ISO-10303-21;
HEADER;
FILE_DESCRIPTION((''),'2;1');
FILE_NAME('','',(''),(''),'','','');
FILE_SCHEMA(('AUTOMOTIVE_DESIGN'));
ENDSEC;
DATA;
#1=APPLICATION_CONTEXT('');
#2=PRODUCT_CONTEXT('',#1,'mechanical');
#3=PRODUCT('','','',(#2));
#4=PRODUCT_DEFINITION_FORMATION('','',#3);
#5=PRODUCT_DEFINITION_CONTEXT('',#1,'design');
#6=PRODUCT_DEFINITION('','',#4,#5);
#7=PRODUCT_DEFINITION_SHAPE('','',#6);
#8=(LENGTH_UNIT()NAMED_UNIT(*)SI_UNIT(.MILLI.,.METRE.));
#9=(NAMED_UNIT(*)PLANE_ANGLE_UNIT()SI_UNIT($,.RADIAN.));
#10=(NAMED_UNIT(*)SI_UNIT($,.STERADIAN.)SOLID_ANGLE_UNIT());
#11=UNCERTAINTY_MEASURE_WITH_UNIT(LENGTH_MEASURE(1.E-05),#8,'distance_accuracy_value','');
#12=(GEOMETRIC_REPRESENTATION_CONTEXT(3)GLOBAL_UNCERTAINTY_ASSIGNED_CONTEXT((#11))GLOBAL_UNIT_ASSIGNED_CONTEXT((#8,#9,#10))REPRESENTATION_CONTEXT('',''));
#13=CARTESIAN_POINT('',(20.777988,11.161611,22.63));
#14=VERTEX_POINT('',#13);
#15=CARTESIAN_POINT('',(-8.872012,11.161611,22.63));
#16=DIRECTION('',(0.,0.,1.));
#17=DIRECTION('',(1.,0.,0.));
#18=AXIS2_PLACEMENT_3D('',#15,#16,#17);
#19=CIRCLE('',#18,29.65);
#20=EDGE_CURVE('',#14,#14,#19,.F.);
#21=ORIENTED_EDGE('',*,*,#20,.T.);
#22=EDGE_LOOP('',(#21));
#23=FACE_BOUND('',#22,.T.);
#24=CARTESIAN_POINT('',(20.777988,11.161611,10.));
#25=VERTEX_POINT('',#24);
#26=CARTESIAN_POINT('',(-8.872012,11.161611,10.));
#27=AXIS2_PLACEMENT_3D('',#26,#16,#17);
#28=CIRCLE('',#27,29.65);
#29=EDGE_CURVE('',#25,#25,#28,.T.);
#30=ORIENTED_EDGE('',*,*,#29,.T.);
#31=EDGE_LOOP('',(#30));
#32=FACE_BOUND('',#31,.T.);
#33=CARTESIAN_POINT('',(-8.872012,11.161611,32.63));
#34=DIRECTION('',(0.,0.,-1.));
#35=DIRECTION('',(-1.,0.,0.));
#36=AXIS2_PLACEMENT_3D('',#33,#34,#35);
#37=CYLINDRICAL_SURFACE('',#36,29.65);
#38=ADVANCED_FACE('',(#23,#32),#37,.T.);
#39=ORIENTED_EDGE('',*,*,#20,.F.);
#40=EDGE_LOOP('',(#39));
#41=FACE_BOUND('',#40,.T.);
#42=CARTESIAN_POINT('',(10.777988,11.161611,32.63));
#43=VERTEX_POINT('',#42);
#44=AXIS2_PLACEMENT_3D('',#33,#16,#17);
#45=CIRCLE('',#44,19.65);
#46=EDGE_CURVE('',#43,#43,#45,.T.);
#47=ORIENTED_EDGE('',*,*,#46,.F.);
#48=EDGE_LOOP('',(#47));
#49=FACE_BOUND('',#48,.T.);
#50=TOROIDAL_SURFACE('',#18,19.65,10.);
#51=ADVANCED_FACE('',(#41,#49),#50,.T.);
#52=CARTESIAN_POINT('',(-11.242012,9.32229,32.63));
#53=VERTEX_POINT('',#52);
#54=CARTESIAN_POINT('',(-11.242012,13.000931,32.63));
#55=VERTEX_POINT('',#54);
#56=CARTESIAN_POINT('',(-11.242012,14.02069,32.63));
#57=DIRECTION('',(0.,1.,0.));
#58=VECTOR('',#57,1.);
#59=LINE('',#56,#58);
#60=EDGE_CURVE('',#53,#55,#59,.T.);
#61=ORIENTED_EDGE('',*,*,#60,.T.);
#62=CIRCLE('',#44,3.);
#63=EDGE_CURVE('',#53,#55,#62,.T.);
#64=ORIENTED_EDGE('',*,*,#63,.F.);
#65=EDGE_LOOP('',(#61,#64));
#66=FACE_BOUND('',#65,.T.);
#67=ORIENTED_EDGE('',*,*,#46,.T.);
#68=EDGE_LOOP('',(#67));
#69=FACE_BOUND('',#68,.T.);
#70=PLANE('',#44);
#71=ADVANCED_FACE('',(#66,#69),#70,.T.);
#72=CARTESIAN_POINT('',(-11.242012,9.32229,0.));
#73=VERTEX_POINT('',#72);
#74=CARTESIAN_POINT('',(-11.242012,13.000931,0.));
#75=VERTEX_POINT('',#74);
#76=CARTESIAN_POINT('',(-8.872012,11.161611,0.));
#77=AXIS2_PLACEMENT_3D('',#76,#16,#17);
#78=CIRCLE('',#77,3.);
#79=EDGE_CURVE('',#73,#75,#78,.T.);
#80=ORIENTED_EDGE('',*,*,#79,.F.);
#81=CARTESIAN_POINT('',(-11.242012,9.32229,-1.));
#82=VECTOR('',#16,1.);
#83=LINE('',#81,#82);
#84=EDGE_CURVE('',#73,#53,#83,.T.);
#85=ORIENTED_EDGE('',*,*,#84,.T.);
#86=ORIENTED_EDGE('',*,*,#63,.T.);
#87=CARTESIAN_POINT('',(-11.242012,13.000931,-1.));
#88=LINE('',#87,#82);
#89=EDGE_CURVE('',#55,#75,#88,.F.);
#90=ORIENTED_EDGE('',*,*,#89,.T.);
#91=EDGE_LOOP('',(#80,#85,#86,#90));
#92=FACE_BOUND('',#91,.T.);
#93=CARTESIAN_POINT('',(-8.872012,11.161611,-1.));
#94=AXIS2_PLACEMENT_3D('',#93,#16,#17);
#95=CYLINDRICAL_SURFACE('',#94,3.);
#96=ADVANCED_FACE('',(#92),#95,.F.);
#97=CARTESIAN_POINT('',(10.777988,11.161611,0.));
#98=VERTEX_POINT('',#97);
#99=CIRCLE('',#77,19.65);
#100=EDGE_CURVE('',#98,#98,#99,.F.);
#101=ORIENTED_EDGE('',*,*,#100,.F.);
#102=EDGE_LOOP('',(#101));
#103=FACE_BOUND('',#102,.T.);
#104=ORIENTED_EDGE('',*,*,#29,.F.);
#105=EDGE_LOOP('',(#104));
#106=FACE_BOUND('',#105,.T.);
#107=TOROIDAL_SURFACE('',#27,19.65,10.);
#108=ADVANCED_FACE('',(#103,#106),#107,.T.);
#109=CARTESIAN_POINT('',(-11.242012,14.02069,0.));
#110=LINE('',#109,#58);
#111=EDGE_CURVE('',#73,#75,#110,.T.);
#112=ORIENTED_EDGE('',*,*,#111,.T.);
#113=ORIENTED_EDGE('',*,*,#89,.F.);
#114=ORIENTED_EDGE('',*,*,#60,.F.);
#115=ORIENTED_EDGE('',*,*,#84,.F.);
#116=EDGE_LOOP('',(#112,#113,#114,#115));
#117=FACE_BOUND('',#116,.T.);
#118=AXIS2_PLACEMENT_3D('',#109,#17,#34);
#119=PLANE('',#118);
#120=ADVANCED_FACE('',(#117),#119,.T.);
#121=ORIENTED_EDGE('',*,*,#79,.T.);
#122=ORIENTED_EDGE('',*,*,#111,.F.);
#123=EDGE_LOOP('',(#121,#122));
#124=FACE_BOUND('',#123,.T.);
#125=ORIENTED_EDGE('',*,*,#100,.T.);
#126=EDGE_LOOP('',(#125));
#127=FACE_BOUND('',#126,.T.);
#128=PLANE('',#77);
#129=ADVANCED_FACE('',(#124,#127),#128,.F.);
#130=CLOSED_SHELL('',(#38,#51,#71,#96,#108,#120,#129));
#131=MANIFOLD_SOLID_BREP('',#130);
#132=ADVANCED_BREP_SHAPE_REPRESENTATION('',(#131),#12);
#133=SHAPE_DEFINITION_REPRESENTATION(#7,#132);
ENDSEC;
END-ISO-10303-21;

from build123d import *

# Parameters (mm, degrees)
ESQUISSE1_R             = 29.65
BOSS_EXTRU_1_DEPTH      = 32.63
ESQUISSE3_R             = 3
ENL_V_MAT_EXTRU_1_DEPTH = 33.63
ESQUISSE4_W             = 2.697553301
ESQUISSE4_H             = 5.967314877
BOSS_EXTRU_4_DEPTH      = 32.63
CONG_1_R                = 10
CONG_2_R                = 10


with BuildPart() as part:
    # Esquisse1 → Boss.-Extru.1 (new body)
    with BuildSketch(Plane.XY):
        with Locations((-8.87201182, 11.161610959)):
            Circle(ESQUISSE1_R)
    extrude(amount=BOSS_EXTRU_1_DEPTH)

    # Esquisse3 → Enlèv. mat.-Extru.1 (cut)
    with BuildSketch(Plane.XY.offset(32.63)):
        with Locations((-8.87201182, 11.161610959)):
            Circle(ESQUISSE3_R)
    extrude(amount=-ENL_V_MAT_EXTRU_1_DEPTH, mode=Mode.SUBTRACT)

    # Esquisse4 → Boss.-Extru.4 (add)
    with BuildSketch(Plane.XY.offset(32.63)):
        with Locations((-12.590788471, 11.037032126)):
            Rectangle(ESQUISSE4_W, ESQUISSE4_H)
    extrude(amount=-BOSS_EXTRU_4_DEPTH)

    # Congé1
    cong_1_edges = [part.edges().sort_by_distance(p)[0] for p in [
        (-38.52201182, 11.161610959, 0),
    ]]
    fillet(cong_1_edges, radius=CONG_1_R)

    # Congé2
    cong_2_edges = [part.edges().sort_by_distance(p)[0] for p in [
        (-38.52201182, 11.161610959, 32.63),
    ]]
    fillet(cong_2_edges, radius=CONG_2_R)


solid = part.part
